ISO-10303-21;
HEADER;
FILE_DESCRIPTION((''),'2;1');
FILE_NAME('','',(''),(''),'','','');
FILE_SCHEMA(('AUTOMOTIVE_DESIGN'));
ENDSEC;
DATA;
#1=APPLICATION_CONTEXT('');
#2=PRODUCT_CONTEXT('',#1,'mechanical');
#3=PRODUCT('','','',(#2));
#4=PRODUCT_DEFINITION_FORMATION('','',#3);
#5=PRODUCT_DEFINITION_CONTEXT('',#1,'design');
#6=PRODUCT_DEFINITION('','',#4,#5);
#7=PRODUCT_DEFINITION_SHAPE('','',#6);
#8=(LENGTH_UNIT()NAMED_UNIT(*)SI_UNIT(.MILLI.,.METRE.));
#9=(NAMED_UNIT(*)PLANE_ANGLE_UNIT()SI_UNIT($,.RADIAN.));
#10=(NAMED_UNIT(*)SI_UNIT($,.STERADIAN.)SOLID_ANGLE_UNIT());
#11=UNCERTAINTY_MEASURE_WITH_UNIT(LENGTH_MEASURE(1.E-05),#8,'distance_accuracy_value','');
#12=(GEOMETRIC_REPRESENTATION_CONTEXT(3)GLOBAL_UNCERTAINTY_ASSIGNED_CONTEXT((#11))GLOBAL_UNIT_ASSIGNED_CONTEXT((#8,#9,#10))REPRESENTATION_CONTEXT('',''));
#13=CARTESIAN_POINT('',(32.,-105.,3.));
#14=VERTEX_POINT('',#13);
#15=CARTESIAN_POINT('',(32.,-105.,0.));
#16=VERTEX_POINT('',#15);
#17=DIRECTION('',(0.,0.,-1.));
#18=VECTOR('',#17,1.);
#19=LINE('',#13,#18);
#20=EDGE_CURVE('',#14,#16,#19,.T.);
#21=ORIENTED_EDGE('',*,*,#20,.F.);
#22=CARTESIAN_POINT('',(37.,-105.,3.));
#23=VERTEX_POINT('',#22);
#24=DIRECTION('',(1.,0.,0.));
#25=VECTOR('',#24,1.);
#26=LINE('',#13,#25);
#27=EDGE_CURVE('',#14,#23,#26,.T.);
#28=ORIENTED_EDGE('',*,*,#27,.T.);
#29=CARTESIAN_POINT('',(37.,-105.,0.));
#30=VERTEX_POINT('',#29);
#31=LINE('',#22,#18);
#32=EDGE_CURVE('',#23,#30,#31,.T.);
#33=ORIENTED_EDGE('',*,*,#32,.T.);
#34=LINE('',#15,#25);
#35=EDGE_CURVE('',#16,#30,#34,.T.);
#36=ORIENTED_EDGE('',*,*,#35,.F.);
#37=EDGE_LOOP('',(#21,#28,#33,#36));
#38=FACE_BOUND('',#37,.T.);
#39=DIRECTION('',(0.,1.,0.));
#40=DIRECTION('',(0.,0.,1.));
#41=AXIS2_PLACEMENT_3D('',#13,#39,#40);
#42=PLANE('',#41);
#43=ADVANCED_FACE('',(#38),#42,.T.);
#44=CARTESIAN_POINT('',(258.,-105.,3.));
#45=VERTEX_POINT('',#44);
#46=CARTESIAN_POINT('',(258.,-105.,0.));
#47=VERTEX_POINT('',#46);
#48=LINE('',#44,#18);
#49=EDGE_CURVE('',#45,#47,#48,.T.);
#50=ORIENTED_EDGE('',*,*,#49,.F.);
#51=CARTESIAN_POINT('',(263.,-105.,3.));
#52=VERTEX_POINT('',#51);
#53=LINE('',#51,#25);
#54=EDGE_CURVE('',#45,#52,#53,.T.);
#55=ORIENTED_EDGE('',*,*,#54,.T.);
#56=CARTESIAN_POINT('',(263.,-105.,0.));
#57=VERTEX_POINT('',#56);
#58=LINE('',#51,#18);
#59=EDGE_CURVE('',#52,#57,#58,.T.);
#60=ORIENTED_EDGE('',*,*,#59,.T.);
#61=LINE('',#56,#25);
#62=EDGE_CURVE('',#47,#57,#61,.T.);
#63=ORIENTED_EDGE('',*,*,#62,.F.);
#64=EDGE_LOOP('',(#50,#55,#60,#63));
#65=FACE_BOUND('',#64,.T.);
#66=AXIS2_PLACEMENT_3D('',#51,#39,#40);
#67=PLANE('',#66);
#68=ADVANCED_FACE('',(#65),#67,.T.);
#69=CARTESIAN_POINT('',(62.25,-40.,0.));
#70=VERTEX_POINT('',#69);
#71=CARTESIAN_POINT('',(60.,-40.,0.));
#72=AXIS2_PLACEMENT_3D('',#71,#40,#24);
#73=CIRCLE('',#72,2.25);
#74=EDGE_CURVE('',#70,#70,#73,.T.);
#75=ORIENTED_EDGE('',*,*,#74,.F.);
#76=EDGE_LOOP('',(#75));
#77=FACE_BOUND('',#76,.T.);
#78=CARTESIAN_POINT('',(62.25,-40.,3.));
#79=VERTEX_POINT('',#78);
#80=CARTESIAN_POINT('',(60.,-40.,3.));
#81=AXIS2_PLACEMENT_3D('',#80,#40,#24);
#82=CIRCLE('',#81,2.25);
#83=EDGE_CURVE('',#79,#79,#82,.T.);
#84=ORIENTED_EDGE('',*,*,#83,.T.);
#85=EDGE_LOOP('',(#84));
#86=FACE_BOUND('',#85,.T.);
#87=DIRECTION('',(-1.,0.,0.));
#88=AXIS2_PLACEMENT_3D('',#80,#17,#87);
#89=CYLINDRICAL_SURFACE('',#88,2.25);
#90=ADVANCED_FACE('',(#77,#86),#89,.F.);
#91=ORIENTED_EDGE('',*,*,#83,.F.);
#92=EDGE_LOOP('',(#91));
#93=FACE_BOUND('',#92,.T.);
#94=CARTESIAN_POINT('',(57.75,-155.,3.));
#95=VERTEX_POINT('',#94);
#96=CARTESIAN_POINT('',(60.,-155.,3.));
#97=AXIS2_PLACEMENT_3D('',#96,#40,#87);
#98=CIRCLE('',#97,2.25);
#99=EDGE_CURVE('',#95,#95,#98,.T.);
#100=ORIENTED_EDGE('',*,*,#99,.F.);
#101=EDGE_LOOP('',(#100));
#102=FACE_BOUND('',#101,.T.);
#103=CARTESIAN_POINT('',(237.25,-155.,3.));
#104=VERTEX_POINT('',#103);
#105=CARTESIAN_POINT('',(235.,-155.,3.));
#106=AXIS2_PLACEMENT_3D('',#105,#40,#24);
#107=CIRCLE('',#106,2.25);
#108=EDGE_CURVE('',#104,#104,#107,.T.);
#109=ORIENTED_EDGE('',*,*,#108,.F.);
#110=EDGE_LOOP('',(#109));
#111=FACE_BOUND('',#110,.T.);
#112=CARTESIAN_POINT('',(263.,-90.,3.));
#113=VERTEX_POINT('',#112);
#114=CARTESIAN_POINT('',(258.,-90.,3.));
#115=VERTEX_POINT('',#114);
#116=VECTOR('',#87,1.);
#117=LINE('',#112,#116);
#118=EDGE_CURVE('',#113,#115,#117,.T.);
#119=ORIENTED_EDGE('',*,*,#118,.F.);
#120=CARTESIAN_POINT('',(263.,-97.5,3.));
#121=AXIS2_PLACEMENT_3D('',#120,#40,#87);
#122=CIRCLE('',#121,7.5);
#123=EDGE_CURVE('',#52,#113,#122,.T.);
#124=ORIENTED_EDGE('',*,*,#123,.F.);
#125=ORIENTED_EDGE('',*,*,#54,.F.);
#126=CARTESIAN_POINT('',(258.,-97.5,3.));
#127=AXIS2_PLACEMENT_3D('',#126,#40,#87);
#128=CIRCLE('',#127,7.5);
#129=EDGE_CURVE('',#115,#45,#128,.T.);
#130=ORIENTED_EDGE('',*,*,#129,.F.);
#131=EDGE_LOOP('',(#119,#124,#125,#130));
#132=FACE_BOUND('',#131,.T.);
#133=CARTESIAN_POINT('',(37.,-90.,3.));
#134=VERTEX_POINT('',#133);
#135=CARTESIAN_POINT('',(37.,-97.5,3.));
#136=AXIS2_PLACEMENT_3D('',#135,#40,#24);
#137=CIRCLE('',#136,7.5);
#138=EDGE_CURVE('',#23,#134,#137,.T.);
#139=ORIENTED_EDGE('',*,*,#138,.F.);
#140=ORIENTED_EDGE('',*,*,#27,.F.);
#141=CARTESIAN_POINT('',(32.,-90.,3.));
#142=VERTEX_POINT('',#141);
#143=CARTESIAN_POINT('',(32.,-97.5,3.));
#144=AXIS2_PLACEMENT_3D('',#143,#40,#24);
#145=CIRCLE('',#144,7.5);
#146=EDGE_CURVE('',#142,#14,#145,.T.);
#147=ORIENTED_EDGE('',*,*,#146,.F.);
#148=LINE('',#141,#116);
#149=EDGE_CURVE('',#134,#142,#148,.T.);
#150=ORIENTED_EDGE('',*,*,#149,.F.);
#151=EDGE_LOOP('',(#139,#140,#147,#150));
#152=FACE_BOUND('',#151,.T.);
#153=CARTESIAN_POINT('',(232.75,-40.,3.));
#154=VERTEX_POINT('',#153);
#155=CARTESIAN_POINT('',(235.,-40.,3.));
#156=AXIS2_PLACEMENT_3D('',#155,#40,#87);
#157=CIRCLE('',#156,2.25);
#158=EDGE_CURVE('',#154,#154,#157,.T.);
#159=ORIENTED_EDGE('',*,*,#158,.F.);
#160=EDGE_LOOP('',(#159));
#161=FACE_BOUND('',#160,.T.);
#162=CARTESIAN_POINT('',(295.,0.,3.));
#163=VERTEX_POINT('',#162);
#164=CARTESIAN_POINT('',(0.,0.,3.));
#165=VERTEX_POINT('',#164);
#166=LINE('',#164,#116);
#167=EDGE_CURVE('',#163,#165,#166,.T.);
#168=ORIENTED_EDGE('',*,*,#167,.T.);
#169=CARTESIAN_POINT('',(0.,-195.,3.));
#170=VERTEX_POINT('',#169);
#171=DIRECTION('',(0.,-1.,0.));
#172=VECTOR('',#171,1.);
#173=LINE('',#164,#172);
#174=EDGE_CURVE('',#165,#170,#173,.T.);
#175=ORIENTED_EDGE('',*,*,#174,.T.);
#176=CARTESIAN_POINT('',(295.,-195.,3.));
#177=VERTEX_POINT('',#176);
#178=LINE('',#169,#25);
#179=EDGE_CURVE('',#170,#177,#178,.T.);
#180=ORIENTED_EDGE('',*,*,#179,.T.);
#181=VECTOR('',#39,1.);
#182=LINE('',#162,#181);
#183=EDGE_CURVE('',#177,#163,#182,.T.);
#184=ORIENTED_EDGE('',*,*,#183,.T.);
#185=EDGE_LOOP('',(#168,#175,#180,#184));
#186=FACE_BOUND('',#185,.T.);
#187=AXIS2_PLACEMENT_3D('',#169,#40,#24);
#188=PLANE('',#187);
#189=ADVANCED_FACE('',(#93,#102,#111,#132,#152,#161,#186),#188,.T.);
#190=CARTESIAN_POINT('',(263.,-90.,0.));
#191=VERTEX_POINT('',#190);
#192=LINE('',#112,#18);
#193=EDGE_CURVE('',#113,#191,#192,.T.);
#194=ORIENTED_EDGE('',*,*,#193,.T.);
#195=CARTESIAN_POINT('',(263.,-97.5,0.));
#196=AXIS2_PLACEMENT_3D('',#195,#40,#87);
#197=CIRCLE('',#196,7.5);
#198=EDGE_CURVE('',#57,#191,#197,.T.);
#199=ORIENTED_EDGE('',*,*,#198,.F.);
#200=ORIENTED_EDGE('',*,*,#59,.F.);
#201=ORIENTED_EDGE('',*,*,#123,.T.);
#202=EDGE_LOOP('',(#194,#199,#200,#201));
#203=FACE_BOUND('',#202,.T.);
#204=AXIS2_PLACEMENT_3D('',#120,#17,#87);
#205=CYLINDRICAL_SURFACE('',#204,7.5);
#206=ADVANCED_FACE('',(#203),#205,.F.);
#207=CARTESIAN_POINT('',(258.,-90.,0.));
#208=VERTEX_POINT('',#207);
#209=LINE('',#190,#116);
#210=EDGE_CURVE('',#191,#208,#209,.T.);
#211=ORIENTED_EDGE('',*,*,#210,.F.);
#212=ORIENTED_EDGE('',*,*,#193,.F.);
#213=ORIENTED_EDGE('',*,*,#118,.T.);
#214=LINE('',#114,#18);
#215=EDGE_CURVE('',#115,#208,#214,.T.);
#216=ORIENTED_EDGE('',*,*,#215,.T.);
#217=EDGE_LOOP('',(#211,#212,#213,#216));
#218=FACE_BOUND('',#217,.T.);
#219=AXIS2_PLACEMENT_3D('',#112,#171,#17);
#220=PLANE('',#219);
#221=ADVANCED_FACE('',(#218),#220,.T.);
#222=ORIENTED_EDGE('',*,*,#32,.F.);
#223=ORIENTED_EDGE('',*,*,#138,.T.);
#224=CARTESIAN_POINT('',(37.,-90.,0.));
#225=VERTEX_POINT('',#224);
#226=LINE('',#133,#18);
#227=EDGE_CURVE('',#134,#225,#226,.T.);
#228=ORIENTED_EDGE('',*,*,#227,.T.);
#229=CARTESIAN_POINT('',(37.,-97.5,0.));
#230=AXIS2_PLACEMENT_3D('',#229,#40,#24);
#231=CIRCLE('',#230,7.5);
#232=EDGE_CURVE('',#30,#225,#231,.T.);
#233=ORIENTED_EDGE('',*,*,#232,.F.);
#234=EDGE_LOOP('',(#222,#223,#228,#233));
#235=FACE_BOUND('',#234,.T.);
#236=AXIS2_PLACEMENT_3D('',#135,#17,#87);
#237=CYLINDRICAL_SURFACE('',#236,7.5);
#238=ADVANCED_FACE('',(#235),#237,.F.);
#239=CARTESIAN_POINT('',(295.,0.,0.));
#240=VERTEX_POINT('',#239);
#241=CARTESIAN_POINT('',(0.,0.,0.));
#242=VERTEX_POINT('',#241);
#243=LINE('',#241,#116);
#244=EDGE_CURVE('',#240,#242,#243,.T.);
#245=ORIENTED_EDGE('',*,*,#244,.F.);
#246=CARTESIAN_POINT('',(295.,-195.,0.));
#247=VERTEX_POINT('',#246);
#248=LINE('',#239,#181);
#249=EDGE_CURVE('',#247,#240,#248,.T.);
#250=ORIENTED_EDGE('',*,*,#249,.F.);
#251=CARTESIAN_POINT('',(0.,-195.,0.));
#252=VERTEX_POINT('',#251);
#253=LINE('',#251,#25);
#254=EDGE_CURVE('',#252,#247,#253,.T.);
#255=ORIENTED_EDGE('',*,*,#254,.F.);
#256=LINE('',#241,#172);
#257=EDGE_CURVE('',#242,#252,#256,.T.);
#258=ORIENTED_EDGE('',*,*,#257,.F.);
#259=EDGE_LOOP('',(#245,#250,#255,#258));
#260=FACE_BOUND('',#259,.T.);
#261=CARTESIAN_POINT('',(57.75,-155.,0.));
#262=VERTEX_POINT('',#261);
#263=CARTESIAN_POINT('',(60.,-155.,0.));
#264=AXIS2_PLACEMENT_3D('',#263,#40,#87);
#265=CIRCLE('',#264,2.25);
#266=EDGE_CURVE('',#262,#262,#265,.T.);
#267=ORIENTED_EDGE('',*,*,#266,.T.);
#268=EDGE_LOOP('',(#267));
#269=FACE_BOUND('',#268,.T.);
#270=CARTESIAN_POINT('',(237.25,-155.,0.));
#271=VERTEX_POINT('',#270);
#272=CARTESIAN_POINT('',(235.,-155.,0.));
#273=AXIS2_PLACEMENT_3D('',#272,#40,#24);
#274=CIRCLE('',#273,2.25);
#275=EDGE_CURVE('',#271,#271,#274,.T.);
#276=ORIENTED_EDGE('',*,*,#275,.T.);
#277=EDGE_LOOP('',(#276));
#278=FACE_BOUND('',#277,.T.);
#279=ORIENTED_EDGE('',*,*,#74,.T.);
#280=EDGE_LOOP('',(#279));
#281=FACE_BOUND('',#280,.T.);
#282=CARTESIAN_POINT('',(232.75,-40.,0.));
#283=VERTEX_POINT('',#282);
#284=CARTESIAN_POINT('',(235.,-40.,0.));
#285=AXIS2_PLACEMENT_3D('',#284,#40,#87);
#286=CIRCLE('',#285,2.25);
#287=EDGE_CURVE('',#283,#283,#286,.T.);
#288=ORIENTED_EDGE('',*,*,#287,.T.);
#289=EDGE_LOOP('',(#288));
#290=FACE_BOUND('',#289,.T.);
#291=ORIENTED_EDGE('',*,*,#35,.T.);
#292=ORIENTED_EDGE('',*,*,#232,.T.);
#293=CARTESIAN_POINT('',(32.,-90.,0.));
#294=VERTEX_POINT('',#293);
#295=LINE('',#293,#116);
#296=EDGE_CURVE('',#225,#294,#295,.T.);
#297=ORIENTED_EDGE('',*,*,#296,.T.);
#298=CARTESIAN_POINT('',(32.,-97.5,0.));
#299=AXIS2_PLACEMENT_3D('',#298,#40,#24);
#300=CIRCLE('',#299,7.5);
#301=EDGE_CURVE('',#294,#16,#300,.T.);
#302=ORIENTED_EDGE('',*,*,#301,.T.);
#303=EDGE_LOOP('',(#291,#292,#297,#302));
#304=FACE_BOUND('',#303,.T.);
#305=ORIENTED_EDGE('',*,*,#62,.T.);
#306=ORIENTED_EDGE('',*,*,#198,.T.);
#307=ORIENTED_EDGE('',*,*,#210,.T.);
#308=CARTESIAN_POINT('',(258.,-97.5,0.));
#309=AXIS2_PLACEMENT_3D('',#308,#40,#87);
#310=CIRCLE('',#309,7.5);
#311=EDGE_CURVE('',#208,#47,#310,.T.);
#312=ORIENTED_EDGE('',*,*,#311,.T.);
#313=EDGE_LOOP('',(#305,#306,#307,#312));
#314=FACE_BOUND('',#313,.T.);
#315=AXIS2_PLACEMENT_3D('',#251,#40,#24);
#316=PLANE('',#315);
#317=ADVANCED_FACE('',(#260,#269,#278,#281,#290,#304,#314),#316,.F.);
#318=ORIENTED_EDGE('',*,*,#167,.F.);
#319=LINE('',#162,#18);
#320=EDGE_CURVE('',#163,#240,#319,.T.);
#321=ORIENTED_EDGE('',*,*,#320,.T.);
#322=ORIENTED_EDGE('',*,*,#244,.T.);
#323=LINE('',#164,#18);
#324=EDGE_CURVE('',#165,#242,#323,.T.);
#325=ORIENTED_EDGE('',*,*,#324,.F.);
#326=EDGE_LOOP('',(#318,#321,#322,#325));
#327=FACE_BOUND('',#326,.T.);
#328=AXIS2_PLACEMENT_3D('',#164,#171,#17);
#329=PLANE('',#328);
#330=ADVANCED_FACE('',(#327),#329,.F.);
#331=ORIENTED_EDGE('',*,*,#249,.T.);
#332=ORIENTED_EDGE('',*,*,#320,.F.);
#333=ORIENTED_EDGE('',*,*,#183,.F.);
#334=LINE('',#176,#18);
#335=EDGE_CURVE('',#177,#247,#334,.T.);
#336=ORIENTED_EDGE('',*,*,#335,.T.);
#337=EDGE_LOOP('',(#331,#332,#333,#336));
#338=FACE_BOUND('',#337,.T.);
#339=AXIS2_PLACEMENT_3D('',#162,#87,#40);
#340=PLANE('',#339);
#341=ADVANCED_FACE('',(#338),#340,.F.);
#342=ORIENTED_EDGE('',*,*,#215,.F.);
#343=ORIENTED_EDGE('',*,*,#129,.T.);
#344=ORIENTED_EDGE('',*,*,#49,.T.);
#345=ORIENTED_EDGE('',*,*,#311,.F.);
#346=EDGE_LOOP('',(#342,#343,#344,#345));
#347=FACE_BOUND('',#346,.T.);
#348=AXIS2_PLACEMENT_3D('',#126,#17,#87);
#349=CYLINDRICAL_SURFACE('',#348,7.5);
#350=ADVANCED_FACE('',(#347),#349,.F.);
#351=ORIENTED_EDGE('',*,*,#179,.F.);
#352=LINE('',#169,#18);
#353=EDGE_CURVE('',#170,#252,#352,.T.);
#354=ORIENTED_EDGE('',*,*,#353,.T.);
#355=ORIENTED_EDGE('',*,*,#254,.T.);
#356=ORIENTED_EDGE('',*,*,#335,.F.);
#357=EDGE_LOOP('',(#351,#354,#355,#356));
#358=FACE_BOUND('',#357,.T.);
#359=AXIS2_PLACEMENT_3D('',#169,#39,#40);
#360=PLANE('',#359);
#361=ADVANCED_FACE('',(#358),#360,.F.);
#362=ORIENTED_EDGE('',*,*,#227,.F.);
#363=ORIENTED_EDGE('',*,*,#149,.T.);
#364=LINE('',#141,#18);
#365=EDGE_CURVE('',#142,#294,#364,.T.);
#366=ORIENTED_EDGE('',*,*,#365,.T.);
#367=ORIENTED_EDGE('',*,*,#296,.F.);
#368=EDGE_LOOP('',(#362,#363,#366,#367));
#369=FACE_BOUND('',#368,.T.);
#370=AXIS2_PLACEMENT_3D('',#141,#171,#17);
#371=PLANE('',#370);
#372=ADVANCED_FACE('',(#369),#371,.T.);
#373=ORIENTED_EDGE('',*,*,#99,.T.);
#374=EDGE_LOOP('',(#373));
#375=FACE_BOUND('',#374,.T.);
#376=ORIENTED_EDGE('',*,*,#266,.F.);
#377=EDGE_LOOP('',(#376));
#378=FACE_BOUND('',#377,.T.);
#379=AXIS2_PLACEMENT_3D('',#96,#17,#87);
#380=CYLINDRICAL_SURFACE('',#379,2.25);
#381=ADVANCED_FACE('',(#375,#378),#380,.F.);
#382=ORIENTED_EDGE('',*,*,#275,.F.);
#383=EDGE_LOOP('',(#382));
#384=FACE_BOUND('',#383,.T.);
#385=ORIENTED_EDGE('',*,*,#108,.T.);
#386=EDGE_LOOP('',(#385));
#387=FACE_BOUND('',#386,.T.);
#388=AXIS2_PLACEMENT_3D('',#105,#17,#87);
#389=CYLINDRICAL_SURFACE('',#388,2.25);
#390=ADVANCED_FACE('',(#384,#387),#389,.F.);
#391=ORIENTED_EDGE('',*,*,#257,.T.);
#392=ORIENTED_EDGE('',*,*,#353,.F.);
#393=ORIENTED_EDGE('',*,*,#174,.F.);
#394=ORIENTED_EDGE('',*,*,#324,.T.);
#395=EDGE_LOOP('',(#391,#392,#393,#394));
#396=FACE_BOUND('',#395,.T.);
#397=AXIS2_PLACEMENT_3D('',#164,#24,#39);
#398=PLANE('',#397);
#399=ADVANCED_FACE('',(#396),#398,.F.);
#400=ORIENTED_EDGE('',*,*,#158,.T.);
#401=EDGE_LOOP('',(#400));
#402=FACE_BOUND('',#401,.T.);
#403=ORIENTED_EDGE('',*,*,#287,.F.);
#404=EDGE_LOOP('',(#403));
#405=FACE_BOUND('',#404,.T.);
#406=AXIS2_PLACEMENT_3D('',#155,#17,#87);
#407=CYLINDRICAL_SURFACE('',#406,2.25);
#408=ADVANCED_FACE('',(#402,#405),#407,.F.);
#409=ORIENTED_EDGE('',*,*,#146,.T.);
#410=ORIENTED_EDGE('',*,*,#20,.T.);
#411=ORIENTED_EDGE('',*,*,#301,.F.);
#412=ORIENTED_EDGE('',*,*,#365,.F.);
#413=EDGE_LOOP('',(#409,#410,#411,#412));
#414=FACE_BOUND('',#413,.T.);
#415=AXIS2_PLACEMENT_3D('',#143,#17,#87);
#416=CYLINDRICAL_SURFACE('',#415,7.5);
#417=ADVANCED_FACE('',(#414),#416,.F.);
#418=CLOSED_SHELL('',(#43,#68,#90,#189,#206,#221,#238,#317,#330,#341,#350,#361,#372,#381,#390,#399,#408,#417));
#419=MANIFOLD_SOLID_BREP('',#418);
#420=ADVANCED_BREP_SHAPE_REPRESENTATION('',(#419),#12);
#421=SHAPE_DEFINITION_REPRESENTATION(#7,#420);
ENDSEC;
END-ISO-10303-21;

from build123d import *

# Parameters (mm, degrees)
ESQUISSE1_W        = 295
ESQUISSE1_H        = 195
ESQUISSE1_R        = 2.25
BOSS_EXTRU_1_DEPTH = 3


with BuildPart() as part:
    # Esquisse1 → Boss.-Extru.1 (new body)
    with BuildSketch(Plane.XY):
        with Locations((147.5, -97.5)):
            Rectangle(ESQUISSE1_W, ESQUISSE1_H)
        with Locations((60, -40)):
            Circle(ESQUISSE1_R, mode=Mode.SUBTRACT)
        with Locations((235, -40)):
            Circle(ESQUISSE1_R, mode=Mode.SUBTRACT)
        with Locations((235, -155)):
            Circle(ESQUISSE1_R, mode=Mode.SUBTRACT)
        with Locations((60, -155)):
            Circle(ESQUISSE1_R, mode=Mode.SUBTRACT)
        with BuildLine():
            Line((32, -90), (37, -90))
            ThreePointArc((37, -90), (44.5, -97.5), (37, -105))
            Line((37, -105), (32, -105))
            ThreePointArc((32, -105), (24.5, -97.5), (32, -90))
        make_face(mode=Mode.SUBTRACT)
        with BuildLine():
            Line((263, -105), (258, -105))
            ThreePointArc((258, -105), (250.5, -97.5), (258, -90))
            Line((258, -90), (263, -90))
            ThreePointArc((263, -90), (270.5, -97.5), (263, -105))
        make_face(mode=Mode.SUBTRACT)
    extrude(amount=BOSS_EXTRU_1_DEPTH)


solid = part.part
